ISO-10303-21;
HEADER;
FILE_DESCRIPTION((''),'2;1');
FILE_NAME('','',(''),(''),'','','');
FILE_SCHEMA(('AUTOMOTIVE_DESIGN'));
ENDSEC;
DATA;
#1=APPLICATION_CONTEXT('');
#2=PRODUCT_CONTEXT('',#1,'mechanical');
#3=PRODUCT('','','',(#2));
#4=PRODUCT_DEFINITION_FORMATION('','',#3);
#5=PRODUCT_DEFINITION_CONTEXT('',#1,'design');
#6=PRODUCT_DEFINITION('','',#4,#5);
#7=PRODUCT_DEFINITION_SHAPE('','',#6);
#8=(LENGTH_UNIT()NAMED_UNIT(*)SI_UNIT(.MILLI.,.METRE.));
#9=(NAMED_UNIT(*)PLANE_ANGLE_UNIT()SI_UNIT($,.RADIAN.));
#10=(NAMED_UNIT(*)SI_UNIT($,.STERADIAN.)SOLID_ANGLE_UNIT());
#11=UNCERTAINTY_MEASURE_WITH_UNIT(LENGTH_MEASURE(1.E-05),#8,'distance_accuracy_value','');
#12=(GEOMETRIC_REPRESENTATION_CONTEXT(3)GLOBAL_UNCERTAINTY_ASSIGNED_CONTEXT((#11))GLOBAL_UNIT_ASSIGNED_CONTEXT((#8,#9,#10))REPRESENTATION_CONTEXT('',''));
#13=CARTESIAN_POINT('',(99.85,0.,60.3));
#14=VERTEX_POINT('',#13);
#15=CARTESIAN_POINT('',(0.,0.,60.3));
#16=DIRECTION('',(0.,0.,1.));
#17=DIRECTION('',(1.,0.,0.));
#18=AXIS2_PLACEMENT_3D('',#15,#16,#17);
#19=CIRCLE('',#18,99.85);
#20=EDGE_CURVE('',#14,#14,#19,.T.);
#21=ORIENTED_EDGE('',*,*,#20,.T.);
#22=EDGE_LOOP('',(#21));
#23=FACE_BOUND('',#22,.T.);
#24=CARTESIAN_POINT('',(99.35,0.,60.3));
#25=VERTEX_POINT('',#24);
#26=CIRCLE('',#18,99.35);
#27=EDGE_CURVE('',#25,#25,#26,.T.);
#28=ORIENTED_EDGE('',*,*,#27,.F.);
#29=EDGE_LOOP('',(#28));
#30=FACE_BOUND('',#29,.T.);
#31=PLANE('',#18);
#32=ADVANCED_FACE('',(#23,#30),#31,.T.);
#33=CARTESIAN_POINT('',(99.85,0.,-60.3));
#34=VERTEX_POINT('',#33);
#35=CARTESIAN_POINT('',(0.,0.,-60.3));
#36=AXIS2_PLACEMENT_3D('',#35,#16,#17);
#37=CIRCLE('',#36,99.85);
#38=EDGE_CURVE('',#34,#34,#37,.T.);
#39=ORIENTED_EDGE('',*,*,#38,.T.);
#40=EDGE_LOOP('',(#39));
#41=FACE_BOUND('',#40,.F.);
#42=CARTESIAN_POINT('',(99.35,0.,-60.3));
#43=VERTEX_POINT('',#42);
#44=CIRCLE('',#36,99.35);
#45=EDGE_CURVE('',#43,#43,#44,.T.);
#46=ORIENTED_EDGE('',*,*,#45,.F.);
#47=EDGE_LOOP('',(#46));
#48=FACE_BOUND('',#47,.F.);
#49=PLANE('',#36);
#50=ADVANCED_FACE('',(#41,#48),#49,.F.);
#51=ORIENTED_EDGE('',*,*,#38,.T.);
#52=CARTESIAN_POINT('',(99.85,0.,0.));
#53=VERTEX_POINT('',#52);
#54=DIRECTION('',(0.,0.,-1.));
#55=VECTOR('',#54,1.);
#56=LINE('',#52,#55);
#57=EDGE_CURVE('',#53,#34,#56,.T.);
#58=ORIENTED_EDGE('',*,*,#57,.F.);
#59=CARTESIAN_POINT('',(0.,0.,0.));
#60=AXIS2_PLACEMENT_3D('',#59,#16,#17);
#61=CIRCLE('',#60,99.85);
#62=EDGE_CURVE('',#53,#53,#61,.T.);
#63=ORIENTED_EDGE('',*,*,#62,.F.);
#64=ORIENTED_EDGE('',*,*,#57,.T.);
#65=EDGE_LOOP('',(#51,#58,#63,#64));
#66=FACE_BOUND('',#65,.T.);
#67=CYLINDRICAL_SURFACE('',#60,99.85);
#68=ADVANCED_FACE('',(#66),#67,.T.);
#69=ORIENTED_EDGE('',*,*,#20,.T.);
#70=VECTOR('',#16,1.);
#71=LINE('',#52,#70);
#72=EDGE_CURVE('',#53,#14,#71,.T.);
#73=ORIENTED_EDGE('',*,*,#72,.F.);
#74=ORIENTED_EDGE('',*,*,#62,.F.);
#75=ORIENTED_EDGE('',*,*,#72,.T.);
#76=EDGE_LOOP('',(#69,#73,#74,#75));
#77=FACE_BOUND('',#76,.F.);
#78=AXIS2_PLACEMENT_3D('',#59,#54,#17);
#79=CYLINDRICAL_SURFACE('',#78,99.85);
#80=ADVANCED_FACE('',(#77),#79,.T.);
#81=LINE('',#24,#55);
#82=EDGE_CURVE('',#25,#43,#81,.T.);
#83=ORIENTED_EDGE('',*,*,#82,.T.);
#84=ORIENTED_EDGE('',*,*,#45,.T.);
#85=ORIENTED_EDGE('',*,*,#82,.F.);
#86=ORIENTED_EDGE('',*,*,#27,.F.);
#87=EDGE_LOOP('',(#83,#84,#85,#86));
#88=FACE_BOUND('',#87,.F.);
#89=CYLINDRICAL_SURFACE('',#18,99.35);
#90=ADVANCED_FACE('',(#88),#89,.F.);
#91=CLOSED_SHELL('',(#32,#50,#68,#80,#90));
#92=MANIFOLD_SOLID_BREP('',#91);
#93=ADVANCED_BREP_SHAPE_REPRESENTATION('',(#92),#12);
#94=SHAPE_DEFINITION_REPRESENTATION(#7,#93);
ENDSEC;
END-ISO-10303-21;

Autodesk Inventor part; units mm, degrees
ref_plane "YZ Plane" through (0, 0, 0) normal (1, 0, 0) x (0, 1, 0)
ref_plane "XZ Plane" through (0, 0, 0) normal (0, 1, 0) x (-1, 0, 0)
ref_plane "XY Plane" through (0, 0, 0) normal (0, 0, 1) x (1, 0, 0)
sketch "Sketch1" plane through (0, 0, 0) normal (0, 0, 1) x (1, 0, 0)
  circle A0 centre (0, 0) radius 99.85
  dimension "d0" = 199.7
extrude "Extrusion1" add sketch "Sketch1" along normal mid plane 120.6
sketch "Sketch2" plane through (0, 0, 60.3) normal (0, 0, 1) x (1, 0, 0)
  circle A0 centre (0, 0) radius 99.35
  dimension "d3" = 198.7
extrude "Extrusion2" cut sketch "Sketch2" against normal through all
properties part number "ALPHA-II-CT_8"
